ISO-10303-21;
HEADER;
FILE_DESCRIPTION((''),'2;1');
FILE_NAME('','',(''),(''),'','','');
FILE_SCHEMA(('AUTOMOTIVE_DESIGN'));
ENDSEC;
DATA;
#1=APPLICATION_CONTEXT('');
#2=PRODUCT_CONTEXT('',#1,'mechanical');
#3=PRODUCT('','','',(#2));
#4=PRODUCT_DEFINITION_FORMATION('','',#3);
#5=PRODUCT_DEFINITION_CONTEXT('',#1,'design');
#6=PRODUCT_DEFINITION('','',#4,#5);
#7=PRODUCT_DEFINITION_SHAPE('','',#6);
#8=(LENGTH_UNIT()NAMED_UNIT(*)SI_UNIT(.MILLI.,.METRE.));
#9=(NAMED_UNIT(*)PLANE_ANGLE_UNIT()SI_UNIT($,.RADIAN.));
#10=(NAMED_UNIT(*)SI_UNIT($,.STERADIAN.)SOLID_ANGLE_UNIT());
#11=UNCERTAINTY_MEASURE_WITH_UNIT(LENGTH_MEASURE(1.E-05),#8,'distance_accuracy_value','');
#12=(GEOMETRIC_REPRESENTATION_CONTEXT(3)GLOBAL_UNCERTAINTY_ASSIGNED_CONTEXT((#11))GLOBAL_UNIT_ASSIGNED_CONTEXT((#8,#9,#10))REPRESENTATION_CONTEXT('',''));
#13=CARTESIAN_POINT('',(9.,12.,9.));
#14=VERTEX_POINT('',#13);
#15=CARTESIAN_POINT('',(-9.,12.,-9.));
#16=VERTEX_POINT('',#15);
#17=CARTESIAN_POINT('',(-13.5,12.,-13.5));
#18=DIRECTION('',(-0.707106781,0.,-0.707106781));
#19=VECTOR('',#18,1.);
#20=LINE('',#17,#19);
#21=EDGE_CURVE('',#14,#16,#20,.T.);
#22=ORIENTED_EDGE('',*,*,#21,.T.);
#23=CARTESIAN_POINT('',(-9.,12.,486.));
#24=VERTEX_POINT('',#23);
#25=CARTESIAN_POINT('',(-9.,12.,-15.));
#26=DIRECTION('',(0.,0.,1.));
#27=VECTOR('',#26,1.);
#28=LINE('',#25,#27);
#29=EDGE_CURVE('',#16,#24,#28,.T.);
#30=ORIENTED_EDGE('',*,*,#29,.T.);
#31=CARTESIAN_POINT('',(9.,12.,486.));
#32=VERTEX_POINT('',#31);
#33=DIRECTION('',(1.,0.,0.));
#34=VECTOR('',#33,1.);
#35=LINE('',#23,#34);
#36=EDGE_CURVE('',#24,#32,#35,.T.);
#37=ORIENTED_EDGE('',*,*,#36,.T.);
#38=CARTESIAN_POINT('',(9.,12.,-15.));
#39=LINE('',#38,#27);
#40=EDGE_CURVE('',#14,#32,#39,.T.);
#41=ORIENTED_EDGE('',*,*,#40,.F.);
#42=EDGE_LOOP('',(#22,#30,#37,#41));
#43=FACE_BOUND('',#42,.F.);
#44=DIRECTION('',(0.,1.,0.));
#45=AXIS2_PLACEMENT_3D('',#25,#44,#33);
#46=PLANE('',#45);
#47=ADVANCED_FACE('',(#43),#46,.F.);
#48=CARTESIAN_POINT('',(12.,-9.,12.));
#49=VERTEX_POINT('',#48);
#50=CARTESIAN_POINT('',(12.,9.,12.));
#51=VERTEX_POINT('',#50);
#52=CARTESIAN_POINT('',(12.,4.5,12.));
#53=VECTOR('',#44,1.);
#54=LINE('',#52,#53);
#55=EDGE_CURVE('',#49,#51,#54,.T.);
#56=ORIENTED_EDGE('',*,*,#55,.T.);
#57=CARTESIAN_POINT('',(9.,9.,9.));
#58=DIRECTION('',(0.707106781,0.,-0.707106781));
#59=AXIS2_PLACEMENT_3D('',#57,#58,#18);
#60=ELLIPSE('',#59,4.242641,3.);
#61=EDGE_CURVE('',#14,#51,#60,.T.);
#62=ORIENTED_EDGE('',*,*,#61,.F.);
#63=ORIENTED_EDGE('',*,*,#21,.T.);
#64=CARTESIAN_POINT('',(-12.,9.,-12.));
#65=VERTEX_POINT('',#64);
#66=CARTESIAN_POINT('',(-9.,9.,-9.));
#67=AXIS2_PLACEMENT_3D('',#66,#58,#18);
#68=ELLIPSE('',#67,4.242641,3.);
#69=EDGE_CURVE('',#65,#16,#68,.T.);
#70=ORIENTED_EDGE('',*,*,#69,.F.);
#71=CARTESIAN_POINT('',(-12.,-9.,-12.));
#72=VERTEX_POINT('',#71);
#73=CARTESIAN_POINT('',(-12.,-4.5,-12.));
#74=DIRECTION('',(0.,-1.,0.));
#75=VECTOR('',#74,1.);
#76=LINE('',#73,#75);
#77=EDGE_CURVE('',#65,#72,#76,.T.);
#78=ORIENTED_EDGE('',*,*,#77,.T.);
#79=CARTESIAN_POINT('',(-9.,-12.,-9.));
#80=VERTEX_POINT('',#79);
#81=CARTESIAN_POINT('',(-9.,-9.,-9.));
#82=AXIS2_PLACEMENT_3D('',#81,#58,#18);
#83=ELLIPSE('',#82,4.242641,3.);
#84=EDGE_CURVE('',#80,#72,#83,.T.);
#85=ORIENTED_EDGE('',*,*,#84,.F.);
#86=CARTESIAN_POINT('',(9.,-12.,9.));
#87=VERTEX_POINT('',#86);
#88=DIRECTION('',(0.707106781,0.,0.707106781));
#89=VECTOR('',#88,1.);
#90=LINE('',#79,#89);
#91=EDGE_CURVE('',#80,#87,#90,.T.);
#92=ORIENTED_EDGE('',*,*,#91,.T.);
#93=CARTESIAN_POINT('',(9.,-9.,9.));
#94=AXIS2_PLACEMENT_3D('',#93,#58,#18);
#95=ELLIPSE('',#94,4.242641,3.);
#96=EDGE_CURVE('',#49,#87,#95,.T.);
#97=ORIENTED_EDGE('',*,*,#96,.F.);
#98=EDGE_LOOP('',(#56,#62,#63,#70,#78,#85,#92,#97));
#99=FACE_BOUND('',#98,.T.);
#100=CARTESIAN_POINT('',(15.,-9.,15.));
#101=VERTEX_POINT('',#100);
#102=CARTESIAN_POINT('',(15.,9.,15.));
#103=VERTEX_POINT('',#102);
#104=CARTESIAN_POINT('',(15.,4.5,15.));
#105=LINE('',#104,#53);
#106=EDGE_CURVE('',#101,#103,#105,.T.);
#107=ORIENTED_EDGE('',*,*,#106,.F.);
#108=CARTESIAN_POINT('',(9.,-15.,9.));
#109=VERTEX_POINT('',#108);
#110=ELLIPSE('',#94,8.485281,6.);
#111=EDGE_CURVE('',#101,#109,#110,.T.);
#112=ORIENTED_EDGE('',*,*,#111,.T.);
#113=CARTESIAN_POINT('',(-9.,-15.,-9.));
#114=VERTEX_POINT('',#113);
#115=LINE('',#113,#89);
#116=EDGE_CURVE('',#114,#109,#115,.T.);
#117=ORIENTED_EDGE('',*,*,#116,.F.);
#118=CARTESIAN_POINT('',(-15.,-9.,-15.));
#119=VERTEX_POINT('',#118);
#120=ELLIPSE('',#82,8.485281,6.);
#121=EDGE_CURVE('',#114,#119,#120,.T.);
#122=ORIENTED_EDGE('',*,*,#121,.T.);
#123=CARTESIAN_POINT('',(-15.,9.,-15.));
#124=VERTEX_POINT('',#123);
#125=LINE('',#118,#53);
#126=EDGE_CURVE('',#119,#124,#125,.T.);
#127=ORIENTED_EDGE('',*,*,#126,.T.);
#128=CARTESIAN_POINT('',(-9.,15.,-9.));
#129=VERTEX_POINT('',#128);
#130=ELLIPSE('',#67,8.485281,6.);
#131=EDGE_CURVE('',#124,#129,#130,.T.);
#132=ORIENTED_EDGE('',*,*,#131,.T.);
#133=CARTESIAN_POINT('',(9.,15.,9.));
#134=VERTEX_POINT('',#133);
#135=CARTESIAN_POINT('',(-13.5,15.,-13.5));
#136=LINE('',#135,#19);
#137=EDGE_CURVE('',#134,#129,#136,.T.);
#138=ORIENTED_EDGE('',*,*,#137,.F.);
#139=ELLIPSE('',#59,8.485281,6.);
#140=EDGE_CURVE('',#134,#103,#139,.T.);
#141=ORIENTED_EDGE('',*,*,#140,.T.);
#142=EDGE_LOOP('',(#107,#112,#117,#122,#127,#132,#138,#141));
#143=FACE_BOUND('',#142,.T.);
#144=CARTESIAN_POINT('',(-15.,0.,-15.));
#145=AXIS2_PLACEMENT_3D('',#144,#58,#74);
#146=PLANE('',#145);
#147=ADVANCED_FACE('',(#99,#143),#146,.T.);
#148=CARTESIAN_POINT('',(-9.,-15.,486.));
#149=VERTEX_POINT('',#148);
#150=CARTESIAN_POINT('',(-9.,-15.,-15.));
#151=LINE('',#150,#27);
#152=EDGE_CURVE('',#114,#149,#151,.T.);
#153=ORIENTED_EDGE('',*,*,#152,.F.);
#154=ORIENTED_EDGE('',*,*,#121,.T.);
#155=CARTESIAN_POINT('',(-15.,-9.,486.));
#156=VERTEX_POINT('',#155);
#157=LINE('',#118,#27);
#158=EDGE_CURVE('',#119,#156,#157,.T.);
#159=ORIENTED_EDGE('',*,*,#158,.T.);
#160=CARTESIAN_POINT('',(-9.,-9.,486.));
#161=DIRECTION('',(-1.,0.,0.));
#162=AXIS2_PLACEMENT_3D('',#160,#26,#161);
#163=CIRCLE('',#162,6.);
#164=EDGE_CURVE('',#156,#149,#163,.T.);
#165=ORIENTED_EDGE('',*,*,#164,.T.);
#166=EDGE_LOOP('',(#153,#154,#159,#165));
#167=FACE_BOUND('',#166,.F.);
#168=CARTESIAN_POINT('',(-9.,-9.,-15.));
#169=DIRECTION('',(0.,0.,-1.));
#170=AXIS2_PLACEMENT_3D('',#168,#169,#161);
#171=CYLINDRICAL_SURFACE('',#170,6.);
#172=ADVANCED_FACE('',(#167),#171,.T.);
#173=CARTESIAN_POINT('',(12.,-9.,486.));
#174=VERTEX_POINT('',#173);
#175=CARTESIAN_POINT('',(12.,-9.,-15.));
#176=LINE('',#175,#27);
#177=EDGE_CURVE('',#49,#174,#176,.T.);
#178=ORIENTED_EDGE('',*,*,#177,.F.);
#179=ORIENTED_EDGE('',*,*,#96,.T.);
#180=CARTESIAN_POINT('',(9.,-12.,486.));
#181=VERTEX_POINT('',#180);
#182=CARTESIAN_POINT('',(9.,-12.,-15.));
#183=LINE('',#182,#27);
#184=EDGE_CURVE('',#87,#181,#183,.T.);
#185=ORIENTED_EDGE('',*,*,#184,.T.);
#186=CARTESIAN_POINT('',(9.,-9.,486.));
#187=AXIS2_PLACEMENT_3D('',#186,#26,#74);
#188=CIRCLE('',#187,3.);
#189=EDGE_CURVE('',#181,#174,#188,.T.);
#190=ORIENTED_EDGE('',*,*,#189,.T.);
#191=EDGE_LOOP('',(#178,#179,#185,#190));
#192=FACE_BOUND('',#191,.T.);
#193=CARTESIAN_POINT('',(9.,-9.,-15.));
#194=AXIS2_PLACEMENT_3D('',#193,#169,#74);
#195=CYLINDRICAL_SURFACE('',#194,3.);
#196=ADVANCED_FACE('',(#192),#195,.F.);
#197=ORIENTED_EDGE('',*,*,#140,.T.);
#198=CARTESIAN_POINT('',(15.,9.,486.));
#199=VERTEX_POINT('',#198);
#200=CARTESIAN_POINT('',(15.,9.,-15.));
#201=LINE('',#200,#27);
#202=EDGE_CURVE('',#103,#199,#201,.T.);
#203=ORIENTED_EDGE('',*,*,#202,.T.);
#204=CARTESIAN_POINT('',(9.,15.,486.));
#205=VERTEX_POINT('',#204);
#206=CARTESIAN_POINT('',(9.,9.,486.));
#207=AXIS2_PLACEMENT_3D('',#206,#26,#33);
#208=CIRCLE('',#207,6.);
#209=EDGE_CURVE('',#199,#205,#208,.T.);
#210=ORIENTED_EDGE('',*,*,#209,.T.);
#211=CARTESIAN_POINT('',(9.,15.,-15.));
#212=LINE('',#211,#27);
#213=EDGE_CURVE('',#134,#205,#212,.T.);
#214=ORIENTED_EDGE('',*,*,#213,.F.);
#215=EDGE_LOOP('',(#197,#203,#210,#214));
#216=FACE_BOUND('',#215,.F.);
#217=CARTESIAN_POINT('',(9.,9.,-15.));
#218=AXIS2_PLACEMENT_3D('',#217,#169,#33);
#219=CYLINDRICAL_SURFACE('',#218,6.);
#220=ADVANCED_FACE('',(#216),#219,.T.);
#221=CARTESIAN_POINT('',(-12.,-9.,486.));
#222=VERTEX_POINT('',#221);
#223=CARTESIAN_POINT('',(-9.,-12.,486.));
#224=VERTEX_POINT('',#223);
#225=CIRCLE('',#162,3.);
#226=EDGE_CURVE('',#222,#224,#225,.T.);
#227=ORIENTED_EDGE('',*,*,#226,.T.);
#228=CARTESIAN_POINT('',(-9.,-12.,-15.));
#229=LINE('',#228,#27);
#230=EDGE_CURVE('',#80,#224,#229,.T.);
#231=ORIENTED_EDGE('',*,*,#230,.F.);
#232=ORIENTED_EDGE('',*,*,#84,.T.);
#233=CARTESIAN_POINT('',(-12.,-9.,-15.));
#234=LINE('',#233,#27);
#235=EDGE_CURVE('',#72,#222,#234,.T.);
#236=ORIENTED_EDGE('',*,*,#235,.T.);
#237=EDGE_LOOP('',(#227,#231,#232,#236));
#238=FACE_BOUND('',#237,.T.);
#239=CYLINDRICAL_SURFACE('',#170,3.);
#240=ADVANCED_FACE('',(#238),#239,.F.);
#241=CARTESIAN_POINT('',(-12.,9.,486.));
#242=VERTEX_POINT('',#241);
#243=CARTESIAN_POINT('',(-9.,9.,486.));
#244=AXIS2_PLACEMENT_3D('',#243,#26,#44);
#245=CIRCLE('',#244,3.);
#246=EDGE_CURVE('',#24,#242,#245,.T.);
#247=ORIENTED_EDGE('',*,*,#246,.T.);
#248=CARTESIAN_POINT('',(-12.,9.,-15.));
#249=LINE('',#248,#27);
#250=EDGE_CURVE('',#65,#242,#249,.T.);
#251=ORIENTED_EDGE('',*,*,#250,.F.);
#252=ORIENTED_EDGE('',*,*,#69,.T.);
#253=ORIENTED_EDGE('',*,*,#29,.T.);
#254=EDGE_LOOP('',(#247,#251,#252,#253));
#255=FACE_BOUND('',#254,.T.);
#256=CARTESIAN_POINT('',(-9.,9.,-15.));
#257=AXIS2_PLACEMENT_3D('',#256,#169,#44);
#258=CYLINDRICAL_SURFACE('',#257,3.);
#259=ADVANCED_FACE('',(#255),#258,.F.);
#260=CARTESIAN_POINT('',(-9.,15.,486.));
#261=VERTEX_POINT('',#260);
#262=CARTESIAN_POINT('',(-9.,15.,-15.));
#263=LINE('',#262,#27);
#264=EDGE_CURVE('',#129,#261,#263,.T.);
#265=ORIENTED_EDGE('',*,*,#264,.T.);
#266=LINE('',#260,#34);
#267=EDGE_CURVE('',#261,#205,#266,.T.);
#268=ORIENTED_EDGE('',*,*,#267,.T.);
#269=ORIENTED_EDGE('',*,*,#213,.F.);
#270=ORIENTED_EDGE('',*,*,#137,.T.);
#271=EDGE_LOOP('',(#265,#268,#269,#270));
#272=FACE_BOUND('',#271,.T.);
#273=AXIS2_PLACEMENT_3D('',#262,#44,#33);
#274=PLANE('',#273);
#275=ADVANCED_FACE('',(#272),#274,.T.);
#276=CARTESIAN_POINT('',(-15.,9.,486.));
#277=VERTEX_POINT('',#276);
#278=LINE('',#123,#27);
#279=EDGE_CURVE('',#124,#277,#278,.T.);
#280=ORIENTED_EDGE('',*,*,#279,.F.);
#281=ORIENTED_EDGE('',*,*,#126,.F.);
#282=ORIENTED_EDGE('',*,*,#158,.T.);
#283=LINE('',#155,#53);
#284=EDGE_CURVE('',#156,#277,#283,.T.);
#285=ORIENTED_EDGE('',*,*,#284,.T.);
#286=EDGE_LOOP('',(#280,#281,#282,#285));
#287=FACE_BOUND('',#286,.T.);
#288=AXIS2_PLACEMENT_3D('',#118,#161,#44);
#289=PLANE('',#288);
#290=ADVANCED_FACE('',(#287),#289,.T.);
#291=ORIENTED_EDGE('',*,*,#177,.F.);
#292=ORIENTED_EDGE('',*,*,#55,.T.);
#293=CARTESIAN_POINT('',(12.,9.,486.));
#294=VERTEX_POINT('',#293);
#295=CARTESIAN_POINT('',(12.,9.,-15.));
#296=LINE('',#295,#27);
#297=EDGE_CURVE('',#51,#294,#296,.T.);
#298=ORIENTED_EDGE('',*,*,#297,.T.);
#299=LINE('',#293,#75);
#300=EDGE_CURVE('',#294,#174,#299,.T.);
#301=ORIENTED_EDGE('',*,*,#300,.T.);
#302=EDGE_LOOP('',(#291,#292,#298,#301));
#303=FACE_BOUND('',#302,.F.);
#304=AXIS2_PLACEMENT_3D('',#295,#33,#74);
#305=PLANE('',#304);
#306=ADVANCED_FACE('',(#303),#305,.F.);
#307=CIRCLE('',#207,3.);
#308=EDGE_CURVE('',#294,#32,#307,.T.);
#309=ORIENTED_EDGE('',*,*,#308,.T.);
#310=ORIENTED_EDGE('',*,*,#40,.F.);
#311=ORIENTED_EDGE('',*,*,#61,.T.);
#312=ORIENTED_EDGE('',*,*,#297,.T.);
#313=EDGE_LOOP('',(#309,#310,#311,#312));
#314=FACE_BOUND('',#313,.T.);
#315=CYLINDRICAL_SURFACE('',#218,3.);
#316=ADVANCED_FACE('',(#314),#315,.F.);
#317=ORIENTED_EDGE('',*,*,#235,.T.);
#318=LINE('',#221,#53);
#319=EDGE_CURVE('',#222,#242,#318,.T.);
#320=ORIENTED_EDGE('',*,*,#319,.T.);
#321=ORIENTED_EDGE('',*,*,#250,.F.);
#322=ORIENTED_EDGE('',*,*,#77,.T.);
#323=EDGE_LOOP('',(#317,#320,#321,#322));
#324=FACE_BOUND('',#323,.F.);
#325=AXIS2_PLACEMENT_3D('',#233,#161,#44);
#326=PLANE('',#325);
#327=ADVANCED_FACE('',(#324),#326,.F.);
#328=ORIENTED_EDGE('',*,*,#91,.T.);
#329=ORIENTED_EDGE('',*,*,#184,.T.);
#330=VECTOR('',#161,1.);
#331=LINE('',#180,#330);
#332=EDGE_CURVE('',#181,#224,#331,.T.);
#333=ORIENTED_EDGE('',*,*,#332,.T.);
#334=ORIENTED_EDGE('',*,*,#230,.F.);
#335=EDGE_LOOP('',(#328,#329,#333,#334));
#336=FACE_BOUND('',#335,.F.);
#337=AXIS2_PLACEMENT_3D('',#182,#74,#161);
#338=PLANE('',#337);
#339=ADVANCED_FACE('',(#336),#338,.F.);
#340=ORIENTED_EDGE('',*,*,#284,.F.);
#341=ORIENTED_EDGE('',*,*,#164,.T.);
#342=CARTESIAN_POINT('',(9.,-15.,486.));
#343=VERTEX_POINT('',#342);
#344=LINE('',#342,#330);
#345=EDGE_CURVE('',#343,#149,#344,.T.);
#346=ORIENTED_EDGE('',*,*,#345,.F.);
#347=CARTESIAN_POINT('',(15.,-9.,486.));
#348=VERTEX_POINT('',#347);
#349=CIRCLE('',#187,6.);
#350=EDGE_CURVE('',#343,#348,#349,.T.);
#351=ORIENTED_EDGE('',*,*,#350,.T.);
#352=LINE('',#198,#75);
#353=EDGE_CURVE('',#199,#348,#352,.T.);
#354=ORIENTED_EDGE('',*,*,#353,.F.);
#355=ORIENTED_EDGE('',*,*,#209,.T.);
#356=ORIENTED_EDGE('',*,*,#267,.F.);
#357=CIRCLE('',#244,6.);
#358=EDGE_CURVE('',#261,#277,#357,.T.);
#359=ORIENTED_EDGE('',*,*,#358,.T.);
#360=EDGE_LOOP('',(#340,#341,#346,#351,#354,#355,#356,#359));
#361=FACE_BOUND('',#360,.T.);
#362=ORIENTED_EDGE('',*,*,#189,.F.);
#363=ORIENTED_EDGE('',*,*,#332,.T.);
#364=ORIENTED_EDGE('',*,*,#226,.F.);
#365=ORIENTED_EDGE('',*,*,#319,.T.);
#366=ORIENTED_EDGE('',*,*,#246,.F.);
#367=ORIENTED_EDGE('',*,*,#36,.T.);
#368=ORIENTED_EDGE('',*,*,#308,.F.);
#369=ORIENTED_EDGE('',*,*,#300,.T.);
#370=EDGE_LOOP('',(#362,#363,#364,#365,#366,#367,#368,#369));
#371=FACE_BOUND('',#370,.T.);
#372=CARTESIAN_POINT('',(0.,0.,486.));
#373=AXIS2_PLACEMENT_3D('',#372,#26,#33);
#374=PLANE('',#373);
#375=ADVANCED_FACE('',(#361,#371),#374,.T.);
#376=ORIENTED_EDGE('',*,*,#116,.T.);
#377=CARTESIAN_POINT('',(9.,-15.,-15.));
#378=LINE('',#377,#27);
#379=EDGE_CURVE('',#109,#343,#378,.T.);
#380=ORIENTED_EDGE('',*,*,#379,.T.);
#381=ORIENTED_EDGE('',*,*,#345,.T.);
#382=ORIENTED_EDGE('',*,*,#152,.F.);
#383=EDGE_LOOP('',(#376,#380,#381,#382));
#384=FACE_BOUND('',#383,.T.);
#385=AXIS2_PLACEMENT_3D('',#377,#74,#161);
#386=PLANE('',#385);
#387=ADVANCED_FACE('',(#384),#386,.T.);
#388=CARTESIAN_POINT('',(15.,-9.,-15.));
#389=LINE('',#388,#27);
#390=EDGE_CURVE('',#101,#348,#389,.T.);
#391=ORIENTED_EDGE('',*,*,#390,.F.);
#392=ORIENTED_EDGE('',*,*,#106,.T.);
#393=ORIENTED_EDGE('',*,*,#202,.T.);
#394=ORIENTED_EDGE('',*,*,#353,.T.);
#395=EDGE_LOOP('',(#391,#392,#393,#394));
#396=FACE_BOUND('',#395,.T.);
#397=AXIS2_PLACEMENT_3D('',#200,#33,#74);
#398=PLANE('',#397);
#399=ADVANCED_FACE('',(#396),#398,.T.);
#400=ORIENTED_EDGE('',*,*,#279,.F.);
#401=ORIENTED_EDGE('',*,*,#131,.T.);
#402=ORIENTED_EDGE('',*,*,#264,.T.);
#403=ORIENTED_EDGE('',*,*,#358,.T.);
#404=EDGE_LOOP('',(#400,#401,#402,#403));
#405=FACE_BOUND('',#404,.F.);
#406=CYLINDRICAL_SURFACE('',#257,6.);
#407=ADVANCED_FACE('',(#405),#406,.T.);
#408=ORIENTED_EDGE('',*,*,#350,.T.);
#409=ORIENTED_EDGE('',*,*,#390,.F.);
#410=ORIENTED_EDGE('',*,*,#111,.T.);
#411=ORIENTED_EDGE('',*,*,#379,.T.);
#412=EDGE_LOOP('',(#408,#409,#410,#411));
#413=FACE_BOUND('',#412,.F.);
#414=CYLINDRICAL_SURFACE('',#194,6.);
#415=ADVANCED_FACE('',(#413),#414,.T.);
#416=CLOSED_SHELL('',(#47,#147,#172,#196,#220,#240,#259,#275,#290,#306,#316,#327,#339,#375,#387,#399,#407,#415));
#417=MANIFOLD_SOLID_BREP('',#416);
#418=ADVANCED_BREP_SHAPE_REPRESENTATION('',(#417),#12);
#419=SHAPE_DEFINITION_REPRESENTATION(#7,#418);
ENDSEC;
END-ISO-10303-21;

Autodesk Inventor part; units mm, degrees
ref_plane "Start Plane" through (0, 0, -15) normal (0, 0, 1) x (1, 0, 0)
ref_plane "End Plane" through (0, 0, 486) normal (0, 0, 1) x (1, 0, 0)
sketch "Sketch" plane through (0, 0, 0) normal (0, 0, 1) x (1, 0, 0)
  line L0 (-15, -9) -> (-15, 9)
  line L1 (-9, 15) -> (9, 15)
  line L2 (15, 9) -> (15, -9)
  line L3 (9, -15) -> (-9, -15)
  arc A0 (-15, -9) -> (-9, -15) centre (-9, -9) ccw
  arc A1 (-9, 15) -> (-15, 9) centre (-9, 9) ccw
  arc A2 (15, 9) -> (9, 15) centre (9, 9) ccw
  arc A3 (9, -15) -> (15, -9) centre (9, -9) ccw
  arc A4 (-9, 12) -> (-12, 9) centre (-9, 9) ccw
  line L4 (-9, 12) -> (9, 12)
  arc A5 (12, 9) -> (9, 12) centre (9, 9) ccw
  line L5 (12, 9) -> (12, -9)
  arc A6 (9, -12) -> (12, -9) centre (9, -9) ccw
  line L6 (9, -12) -> (-9, -12)
  arc A7 (-12, -9) -> (-9, -12) centre (-9, -9) ccw
  line L7 (-12, -9) -> (-12, 9)
  line L8 (0, 22.7397) -> (0, -22.7397) construction
  line L9 (-22.7397, 0) -> (22.7397, 0) construction
  dimension "d7" = 6
  dimension "d10" = 30
  dimension "d11" = 30
  dimension "d12" = 3
  dimension "d15" = 15
  dimension "d16" = 15
extrude "Body" add sketch "Sketch" along normal up to surface (501 mm away) from surface at -15
sketch "Sketch3" plane through (0, 0, 0) normal (0, 0, 1) x (1, 0, 0)
  line L0 (0, 0) -> (10, 0)
ref_plane "Work Plane3" through (0, 0, 0) normal (0, -1, 0) x (1, 0, 0)
ref_plane "Work Plane4" through (-15, 0, -15) normal (0.7071, 0, -0.7071) x (-0.7071, 0, -0.7071)
split "Split1" plane through (-15, 0, -15) removes the side toward (0.7071, 0, -0.7071)
sketch "Sketch4" plane through (0, 0, 0) normal (0, -1, 0) x (1, 0, 0)
  line L0 (-2, -15) -> (12, -15) projected
  line L1 (-2, 486) -> (12, 486) projected
  dimension "d18" = 501
equation "\"d7\" = G_IR"
equation "\"d10\" = G_H"
equation "\"d11\" = G_W"
equation "\"d12\" = G_T"
equation "\"d15\" = 0.5 * d10"
equation "\"d16\" = 0.5 * d11"
equation "\"d3\" = G_L"
equation "\"G_W\" = 30"
equation "\"G_H\" = 30"
equation "\"G_T\" = 3"
equation "\"G_IR\" = 6"
equation "\"G_L\" = d18"
equation "\"G_OFFSET_START\" = 15.00001"
equation "\"G_OFFSET_END\" = 0"
equation "\"d13\" = -G_OFFSET_START"
equation "\"d14\" = G_OFFSET_END + B_L"
equation "\"B_L\" = 485.99998"
properties part number "DIN EN 10219-2 - 30 x 30 x 3  - 501" material "Steel, Mild"
